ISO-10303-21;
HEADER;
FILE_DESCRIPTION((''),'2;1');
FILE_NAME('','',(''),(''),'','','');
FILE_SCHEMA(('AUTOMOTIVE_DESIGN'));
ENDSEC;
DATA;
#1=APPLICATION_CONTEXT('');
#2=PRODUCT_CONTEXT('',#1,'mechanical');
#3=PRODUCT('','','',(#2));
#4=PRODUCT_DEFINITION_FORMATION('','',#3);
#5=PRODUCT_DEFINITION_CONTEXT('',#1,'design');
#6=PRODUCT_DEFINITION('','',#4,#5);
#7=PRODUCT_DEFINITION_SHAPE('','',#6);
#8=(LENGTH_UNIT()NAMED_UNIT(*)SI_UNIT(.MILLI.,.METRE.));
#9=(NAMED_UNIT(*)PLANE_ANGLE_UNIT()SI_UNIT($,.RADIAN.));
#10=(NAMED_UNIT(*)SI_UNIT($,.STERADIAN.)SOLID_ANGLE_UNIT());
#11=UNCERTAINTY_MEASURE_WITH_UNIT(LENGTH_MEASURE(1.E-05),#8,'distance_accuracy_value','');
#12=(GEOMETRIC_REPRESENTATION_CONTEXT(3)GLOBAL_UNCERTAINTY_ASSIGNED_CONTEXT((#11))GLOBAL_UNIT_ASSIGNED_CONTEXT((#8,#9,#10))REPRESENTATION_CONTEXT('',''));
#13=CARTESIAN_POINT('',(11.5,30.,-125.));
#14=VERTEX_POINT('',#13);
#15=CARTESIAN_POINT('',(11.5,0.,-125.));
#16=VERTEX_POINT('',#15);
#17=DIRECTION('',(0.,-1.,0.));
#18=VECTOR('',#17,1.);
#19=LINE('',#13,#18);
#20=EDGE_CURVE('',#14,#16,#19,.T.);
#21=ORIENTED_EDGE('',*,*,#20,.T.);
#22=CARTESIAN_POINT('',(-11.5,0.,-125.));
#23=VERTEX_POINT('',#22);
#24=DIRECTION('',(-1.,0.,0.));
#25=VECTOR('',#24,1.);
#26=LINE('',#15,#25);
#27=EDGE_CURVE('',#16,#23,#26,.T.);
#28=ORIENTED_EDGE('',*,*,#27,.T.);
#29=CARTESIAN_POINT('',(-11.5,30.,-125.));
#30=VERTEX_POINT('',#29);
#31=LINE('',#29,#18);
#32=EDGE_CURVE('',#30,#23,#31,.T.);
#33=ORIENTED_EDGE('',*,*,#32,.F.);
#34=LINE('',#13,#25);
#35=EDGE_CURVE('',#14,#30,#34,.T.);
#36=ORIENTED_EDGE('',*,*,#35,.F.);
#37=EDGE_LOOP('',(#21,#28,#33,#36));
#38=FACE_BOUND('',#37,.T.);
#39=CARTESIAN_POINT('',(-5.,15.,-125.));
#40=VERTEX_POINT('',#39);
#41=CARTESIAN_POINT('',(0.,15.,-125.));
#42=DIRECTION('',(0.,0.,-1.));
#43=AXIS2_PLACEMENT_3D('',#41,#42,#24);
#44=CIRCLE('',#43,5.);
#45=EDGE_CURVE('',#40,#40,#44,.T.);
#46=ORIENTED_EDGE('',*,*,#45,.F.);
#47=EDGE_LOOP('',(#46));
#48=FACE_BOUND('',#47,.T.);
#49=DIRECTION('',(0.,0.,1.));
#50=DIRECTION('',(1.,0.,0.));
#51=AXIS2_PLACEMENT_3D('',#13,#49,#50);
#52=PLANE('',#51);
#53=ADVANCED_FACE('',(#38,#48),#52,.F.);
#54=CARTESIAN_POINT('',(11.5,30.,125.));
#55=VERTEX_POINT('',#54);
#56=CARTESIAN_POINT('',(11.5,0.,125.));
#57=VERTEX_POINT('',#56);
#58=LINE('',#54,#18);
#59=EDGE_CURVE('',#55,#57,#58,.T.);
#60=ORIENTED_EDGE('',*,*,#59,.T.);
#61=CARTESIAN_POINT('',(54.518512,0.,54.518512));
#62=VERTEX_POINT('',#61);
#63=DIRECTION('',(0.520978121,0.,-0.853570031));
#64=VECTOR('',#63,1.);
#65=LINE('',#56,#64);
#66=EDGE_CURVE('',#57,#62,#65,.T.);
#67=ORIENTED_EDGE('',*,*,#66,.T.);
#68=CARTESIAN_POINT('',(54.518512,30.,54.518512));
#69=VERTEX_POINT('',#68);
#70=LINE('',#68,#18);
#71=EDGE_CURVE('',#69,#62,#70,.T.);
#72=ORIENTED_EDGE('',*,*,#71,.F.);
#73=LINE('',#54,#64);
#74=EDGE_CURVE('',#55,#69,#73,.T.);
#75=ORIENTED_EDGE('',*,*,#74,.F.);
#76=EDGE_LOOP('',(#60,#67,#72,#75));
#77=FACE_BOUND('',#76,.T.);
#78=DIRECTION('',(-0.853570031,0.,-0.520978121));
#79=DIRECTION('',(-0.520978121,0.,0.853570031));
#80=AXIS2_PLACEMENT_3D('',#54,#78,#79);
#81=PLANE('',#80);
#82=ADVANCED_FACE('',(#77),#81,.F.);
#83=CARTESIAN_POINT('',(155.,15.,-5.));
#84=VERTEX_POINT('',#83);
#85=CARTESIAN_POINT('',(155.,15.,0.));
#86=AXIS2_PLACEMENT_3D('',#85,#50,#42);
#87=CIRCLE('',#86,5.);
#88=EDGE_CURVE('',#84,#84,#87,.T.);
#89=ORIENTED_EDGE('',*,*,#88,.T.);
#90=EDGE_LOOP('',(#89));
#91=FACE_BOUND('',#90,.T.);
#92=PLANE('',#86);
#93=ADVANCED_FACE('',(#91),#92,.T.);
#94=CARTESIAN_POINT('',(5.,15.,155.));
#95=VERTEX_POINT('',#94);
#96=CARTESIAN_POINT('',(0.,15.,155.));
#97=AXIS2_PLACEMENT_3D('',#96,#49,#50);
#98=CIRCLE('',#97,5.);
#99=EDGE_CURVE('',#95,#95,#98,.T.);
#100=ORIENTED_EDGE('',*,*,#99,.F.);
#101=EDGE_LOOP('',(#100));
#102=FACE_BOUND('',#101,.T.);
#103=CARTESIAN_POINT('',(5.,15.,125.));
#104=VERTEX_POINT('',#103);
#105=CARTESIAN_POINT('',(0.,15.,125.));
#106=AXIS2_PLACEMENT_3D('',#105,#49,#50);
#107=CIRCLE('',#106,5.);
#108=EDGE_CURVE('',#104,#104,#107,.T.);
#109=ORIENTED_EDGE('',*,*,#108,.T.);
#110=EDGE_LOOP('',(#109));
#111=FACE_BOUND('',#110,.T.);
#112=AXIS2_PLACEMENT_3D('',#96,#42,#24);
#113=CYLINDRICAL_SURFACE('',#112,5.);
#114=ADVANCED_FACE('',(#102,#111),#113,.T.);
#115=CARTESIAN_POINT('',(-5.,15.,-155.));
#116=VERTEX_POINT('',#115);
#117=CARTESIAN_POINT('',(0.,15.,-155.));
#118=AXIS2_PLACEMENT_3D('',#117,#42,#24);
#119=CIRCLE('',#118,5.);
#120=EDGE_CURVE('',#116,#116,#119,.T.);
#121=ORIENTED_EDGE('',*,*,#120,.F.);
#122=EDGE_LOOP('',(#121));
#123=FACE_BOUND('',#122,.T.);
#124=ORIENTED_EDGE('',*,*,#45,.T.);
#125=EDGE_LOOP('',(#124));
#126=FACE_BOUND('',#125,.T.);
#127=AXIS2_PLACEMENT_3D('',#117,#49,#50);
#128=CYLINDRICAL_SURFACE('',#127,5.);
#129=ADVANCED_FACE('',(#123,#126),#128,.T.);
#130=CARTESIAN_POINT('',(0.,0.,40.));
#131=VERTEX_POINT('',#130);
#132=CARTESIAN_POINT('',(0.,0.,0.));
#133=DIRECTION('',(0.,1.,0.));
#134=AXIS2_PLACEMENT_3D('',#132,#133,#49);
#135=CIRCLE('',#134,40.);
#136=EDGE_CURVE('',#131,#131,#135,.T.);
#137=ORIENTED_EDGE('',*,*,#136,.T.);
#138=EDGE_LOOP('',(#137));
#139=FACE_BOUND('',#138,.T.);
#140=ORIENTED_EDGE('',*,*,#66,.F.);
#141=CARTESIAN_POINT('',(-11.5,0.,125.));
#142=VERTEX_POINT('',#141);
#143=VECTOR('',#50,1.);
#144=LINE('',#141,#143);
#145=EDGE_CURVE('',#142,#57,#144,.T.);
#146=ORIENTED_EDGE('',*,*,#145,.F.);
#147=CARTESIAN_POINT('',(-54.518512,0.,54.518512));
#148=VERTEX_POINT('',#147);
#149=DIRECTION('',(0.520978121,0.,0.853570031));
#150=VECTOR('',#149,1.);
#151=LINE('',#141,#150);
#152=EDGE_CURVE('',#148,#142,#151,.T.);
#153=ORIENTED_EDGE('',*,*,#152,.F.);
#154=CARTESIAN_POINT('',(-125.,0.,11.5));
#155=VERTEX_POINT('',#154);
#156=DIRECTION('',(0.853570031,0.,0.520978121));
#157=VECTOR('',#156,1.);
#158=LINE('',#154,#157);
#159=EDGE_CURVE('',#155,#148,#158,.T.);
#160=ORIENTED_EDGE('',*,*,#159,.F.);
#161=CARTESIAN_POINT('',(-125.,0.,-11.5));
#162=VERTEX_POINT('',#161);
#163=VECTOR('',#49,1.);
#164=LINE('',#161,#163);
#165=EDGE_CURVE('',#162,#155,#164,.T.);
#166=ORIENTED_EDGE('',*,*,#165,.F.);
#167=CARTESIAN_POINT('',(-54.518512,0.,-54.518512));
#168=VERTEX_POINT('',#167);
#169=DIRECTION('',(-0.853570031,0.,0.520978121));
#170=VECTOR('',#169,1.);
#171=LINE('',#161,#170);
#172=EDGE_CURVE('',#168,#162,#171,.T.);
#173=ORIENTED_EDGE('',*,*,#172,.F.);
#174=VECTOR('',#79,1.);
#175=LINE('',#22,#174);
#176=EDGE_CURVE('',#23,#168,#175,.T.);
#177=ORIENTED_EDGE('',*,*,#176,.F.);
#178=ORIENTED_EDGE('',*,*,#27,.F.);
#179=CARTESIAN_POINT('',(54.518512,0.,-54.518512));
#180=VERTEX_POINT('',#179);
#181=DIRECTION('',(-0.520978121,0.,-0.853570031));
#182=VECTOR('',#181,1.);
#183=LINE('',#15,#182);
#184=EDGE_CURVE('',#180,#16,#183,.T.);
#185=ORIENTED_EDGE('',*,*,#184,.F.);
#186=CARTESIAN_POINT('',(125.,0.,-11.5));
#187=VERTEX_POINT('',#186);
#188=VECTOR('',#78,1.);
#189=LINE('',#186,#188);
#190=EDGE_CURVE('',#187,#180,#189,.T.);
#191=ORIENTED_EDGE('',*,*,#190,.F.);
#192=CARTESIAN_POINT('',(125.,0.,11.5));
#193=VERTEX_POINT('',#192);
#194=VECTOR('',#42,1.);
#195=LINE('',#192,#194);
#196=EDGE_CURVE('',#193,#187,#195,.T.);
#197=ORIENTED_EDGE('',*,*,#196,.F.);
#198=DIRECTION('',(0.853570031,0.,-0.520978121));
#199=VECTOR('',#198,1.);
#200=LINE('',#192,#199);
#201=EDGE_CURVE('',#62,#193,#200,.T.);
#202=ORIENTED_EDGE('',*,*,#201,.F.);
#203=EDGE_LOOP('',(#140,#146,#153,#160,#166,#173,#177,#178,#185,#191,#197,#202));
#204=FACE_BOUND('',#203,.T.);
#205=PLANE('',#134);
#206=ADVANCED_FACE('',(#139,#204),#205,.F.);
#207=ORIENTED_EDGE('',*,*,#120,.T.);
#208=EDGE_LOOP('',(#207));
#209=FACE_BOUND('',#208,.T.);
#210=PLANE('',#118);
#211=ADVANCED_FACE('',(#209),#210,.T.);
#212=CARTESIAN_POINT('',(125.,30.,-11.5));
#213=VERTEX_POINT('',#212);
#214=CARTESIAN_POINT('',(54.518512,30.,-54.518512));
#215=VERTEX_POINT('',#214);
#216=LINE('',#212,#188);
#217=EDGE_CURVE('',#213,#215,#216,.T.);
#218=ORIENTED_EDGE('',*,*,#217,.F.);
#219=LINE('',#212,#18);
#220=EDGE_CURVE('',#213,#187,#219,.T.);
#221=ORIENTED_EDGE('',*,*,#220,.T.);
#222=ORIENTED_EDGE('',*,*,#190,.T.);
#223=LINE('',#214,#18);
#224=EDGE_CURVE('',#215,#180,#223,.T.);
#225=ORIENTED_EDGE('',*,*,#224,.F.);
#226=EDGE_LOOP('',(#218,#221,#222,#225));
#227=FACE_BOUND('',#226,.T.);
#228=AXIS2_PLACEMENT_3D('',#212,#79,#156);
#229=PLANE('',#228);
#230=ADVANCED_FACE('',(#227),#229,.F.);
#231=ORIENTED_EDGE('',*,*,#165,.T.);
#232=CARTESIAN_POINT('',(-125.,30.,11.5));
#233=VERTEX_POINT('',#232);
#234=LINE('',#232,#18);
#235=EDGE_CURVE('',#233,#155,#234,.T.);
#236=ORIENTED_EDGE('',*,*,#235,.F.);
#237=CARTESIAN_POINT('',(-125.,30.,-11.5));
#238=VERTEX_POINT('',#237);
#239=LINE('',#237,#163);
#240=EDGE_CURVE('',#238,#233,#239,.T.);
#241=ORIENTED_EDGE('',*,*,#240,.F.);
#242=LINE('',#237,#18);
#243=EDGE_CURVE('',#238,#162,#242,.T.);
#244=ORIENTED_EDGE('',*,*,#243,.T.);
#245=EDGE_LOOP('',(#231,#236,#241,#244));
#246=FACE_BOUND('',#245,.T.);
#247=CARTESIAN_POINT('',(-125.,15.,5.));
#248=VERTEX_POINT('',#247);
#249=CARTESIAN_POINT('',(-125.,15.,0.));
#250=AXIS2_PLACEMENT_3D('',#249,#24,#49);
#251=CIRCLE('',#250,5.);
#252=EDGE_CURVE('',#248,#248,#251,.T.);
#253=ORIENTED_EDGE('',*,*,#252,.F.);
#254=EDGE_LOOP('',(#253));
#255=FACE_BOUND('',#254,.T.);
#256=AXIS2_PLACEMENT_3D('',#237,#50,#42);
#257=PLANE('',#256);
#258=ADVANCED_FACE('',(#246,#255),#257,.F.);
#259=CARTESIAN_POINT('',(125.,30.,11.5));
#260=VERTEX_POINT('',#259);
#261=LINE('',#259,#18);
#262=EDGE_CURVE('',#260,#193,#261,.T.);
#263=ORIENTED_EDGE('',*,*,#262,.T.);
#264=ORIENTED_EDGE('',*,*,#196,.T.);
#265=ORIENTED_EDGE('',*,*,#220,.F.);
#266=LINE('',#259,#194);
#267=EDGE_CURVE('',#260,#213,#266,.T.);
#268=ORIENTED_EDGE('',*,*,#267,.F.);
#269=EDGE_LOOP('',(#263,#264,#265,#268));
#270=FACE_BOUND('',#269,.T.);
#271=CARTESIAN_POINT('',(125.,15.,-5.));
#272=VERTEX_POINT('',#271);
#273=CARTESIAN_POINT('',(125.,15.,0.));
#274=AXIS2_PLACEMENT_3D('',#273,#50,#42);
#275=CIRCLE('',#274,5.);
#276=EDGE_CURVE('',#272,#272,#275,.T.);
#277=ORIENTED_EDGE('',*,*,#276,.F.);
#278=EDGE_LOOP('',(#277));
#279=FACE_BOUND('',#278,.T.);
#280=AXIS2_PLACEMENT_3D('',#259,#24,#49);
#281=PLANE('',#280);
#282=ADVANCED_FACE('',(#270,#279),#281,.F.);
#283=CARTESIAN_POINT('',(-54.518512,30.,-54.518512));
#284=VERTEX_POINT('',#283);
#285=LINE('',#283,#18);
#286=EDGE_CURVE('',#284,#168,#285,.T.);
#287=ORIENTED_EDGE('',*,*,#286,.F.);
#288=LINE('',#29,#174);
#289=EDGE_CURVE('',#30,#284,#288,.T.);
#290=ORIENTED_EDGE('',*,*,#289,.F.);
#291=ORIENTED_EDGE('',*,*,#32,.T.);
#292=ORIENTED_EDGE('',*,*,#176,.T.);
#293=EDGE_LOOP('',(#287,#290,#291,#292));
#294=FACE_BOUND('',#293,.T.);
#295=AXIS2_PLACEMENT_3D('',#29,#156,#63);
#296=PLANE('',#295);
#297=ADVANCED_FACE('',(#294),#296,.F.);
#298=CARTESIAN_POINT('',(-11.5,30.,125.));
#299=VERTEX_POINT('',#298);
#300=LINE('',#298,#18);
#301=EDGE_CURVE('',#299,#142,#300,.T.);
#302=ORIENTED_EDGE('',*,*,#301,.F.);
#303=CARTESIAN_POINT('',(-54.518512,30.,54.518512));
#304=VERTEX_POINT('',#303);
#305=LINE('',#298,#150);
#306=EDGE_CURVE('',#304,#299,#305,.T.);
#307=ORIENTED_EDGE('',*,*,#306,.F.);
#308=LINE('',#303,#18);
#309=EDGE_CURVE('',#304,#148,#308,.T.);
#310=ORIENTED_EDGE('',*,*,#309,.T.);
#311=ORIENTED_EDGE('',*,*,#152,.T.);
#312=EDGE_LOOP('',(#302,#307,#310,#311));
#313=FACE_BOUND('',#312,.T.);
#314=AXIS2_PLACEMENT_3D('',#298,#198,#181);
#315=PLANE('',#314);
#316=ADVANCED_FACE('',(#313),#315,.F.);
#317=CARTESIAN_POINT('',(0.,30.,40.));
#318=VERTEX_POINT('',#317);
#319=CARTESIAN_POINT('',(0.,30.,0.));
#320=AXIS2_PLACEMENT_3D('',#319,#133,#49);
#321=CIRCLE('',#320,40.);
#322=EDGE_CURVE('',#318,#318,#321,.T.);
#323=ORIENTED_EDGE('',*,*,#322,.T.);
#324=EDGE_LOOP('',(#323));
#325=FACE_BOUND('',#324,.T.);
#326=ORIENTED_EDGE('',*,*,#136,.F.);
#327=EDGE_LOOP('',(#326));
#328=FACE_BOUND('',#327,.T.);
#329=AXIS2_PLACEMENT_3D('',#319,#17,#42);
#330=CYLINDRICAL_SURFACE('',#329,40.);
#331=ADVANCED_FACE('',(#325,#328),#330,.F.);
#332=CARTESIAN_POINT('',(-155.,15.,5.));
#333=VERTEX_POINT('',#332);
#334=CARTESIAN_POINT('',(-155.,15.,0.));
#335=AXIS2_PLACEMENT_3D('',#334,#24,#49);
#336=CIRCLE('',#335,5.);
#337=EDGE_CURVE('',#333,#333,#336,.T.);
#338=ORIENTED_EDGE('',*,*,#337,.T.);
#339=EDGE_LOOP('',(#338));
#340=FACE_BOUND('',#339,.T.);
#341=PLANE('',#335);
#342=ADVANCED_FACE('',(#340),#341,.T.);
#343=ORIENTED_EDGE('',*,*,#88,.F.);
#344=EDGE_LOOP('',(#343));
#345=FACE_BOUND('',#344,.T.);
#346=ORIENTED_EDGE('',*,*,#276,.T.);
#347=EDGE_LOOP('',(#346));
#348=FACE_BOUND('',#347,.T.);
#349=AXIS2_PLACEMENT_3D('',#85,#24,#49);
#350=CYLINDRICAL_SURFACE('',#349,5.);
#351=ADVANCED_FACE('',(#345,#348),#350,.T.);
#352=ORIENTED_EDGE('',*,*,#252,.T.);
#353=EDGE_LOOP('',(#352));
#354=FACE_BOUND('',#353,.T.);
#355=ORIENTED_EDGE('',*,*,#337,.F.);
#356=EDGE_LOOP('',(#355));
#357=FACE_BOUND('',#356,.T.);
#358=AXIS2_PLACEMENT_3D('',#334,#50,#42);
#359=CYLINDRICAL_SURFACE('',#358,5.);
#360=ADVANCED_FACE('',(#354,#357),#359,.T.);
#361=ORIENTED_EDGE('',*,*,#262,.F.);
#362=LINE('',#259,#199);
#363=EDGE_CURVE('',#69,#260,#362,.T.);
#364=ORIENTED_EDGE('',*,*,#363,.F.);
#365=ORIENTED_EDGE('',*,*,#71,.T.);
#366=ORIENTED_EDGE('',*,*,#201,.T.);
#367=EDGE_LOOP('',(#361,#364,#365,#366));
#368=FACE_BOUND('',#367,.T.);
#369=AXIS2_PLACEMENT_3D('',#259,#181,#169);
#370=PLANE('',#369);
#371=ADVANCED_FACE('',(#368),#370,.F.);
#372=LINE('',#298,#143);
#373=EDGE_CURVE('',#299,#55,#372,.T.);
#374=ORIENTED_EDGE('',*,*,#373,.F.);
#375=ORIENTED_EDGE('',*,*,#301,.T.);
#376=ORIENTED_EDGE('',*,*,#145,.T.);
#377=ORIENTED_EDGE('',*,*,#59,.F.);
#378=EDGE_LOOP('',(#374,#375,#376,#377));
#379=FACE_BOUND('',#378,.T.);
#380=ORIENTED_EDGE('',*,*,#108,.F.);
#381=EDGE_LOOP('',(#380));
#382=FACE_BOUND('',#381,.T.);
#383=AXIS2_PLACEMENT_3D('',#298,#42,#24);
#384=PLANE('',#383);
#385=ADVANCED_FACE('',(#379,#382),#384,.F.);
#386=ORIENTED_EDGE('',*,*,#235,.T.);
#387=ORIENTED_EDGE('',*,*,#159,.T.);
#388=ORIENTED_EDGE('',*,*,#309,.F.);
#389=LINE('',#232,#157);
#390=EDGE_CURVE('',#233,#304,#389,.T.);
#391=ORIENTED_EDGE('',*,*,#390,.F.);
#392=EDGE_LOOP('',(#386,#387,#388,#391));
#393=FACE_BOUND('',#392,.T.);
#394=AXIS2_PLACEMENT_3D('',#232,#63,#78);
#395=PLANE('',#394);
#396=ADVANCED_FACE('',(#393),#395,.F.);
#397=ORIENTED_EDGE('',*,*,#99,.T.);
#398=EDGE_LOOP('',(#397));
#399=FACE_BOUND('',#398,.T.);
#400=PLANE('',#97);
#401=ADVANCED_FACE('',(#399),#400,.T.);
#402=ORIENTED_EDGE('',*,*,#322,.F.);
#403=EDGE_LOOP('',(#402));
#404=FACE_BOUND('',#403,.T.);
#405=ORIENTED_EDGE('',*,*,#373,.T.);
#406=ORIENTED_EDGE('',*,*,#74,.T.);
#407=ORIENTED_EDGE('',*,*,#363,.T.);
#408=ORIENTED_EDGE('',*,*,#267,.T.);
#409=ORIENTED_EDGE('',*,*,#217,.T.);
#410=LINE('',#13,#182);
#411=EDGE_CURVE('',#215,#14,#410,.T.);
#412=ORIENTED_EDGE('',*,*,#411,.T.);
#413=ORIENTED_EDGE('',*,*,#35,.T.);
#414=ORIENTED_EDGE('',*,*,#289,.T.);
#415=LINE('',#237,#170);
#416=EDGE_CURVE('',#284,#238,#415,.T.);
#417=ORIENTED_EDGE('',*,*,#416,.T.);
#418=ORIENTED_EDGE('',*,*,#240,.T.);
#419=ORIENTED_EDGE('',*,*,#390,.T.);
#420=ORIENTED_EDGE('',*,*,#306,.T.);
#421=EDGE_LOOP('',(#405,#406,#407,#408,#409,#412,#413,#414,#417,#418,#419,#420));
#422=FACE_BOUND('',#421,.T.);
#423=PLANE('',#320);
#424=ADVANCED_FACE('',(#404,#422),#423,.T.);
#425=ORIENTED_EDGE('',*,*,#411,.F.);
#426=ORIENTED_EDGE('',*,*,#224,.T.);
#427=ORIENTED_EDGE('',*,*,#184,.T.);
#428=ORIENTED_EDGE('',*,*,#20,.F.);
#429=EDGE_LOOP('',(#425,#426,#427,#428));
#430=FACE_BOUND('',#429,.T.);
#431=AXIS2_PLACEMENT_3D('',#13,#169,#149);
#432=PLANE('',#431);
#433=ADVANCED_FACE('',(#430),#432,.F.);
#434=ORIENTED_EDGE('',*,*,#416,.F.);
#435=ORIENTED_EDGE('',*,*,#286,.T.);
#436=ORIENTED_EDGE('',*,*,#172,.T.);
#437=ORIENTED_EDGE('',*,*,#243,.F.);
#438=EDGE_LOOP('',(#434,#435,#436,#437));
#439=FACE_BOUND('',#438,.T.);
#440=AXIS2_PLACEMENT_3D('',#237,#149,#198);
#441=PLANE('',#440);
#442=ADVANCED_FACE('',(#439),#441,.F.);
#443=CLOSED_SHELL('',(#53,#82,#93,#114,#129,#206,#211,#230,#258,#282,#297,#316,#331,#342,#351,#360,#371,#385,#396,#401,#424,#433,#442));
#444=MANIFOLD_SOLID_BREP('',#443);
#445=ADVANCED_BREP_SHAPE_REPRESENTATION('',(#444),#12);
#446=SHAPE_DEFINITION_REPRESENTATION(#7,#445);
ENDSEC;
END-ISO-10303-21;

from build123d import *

# Parameters (mm, degrees)
SKETCH1_R           = 40
BOSS_EXTRUDE1_DEPTH = 30
SKETCH2_R           = 5
BOSS_EXTRUDE2_DEPTH = 30
CIRPATTERN1_COUNT   = 4


with BuildPart() as part:
    # Sketch1 → Boss-Extrude1 (new body)
    with BuildSketch(Plane(origin=(0, 0, 0), x_dir=(1, 0, 0), z_dir=(0, 1, 0))):
        Polygon((11.5, 125), (-11.5, 125), (-54.518512439, 54.518512439), (-125, 11.5), (-125, -11.5), (-54.518512439, -54.518512439), (-11.5, -125), (11.5, -125), (54.518512439, -54.518512439), (125, -11.5), (125, 11.5), (54.518512439, 54.518512439), align=None)
        with Locations(Location((0, 0, 0), (0, 0, 270))):
            Circle(SKETCH1_R, mode=Mode.SUBTRACT)
    extrude(amount=BOSS_EXTRUDE1_DEPTH)

    # Sketch2 → Boss-Extrude2 (add)
    with BuildSketch(Plane.XY.offset(125)):
        with Locations((0, 15)):
            Circle(SKETCH2_R)
    boss_extrude2 = extrude(amount=BOSS_EXTRUDE2_DEPTH)

    # CirPattern1: Boss-Extrude2 ×4 about axis
    cirpattern1_axis = Axis((0, 0, 0), (0, 1, 0))
    for i in range(1, CIRPATTERN1_COUNT):
        add(boss_extrude2.rotate(cirpattern1_axis, i * 360 / CIRPATTERN1_COUNT))


solid = part.part
